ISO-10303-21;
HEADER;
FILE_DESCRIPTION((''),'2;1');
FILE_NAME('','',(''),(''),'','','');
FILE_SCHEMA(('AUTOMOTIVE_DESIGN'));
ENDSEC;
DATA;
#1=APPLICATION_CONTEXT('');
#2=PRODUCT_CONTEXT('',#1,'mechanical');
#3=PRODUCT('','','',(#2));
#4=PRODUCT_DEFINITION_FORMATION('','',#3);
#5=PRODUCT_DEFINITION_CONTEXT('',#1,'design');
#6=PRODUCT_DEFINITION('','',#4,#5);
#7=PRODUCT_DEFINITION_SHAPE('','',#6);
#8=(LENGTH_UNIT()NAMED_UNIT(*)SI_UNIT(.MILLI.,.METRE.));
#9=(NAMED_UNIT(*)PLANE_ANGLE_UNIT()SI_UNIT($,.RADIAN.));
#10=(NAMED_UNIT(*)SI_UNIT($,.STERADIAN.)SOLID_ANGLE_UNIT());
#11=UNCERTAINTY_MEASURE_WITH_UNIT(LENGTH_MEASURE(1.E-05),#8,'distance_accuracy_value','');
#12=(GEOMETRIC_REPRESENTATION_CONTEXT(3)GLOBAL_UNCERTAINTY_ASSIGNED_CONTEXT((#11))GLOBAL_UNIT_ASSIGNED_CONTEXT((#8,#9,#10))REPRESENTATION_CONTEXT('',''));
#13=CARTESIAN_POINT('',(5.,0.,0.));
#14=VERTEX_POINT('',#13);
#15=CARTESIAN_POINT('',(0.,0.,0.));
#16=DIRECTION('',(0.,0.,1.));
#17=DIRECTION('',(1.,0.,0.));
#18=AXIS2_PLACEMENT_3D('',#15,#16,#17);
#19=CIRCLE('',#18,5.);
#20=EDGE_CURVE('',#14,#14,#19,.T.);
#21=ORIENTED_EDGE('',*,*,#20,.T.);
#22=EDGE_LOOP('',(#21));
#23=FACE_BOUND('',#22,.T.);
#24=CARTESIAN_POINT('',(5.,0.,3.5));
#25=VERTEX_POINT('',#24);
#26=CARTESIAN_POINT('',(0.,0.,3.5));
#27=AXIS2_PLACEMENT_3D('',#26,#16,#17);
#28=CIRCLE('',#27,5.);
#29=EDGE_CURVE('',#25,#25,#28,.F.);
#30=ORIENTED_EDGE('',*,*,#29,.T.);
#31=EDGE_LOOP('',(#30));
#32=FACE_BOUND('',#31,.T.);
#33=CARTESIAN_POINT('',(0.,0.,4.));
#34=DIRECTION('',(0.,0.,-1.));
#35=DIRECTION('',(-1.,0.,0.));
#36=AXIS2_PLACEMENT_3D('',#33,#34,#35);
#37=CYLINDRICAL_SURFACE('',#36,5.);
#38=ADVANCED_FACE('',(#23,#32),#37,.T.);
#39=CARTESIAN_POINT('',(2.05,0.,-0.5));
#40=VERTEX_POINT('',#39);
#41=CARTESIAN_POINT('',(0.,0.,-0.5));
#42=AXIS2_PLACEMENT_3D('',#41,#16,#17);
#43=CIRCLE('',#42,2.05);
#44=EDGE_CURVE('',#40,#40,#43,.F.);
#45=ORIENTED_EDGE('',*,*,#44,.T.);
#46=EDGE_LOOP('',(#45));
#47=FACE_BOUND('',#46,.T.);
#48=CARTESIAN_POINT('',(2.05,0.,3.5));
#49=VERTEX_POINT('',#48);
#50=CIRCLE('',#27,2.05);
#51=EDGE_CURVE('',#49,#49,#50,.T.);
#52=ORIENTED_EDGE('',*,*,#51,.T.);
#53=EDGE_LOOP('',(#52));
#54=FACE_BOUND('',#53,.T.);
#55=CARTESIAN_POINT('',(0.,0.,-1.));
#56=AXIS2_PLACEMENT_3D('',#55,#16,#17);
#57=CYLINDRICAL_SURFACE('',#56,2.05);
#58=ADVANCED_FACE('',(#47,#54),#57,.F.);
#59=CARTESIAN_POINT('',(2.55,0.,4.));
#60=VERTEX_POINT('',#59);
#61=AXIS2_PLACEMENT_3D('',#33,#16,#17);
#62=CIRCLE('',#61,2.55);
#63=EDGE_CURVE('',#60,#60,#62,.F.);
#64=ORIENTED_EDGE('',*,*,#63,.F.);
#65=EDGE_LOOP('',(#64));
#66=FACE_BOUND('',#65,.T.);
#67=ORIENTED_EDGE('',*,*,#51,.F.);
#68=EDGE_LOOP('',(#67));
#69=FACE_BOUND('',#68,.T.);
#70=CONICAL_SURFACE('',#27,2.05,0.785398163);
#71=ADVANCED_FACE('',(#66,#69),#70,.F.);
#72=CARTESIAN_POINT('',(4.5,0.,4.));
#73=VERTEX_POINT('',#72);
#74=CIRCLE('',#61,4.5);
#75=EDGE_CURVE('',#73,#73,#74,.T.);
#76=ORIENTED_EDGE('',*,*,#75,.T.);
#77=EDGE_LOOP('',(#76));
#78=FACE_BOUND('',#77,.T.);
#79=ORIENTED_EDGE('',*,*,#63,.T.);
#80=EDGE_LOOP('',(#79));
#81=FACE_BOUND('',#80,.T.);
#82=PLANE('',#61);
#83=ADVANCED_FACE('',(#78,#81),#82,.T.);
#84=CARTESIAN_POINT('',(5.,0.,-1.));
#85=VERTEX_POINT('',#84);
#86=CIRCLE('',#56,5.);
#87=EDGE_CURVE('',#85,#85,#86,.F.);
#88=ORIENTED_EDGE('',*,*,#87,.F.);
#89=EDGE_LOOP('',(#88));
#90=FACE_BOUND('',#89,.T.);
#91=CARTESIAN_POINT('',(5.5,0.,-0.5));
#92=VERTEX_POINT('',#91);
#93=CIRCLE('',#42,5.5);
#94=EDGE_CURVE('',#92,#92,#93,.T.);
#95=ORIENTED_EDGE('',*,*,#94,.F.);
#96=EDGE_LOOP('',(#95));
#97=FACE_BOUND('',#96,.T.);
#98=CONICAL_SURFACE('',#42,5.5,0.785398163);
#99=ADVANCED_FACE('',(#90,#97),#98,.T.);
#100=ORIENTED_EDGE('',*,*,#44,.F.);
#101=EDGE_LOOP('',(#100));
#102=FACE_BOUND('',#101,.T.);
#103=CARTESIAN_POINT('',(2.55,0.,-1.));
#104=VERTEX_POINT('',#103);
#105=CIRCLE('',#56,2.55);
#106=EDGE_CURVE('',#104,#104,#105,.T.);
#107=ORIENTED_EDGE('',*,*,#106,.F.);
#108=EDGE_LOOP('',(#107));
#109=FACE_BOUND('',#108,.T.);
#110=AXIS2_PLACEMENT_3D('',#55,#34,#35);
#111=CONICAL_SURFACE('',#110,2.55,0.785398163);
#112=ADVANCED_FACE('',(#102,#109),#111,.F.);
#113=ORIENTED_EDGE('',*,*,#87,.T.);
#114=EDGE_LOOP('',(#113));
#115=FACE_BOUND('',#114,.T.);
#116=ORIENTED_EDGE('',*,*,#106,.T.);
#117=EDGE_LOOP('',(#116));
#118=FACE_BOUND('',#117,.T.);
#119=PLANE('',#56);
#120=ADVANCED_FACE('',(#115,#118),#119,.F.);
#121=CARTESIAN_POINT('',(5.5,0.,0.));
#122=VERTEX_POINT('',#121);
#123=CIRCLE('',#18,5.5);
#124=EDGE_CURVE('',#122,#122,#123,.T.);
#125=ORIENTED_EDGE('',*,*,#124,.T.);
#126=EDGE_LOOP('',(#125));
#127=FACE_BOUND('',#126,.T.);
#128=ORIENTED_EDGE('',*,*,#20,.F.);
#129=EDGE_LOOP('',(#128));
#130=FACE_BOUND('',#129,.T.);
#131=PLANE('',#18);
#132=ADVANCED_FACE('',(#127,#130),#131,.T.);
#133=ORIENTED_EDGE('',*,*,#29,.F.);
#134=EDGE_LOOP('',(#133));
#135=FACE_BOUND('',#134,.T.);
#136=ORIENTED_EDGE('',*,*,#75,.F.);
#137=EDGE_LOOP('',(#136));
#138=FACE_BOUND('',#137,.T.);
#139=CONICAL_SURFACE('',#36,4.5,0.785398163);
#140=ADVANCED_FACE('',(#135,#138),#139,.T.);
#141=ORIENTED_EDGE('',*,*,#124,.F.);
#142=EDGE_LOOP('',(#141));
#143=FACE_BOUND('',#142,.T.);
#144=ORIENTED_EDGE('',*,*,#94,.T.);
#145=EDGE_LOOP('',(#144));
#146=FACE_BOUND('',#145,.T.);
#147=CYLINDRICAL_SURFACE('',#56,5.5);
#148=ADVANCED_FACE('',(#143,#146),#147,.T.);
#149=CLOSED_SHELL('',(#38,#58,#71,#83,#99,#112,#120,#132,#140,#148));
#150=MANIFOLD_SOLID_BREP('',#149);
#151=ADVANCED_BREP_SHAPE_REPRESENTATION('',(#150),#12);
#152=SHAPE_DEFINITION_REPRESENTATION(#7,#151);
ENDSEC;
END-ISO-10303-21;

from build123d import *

# Parameters (mm, degrees)
SKETCH1_R           = 5
BOSS_EXTRUDE1_DEPTH = 4
SKETCH2_R           = 5.5
BOSS_EXTRUDE2_DEPTH = 1
SKETCH3_R           = 2.05
CUT_EXTRUDE1_DEPTH  = 6
CHAMFER1_SIZE       = 0.5


with BuildPart() as part:
    # Sketch1 → Boss-Extrude1 (new body)
    with BuildSketch(Plane.XY):
        Circle(SKETCH1_R)
    extrude(amount=BOSS_EXTRUDE1_DEPTH)

    # Sketch2 → Boss-Extrude2 (add)
    with BuildSketch(Plane.XY):
        Circle(SKETCH2_R)
    extrude(amount=-BOSS_EXTRUDE2_DEPTH)

    # Sketch3 → Cut-Extrude1 (cut, through all)
    with BuildSketch(Plane.XY.offset(4)):
        Circle(SKETCH3_R)
    extrude(amount=-CUT_EXTRUDE1_DEPTH, mode=Mode.SUBTRACT)

    # Chamfer1
    chamfer1_edges = [part.edges().sort_by_distance(p)[0] for p in [
        (-2.05, 0, -1),
        (-2.05, 0, 4),
        (-5, 0, 4),
        (-5.5, 0, -1),
    ]]
    chamfer(chamfer1_edges, length=CHAMFER1_SIZE)


solid = part.part
